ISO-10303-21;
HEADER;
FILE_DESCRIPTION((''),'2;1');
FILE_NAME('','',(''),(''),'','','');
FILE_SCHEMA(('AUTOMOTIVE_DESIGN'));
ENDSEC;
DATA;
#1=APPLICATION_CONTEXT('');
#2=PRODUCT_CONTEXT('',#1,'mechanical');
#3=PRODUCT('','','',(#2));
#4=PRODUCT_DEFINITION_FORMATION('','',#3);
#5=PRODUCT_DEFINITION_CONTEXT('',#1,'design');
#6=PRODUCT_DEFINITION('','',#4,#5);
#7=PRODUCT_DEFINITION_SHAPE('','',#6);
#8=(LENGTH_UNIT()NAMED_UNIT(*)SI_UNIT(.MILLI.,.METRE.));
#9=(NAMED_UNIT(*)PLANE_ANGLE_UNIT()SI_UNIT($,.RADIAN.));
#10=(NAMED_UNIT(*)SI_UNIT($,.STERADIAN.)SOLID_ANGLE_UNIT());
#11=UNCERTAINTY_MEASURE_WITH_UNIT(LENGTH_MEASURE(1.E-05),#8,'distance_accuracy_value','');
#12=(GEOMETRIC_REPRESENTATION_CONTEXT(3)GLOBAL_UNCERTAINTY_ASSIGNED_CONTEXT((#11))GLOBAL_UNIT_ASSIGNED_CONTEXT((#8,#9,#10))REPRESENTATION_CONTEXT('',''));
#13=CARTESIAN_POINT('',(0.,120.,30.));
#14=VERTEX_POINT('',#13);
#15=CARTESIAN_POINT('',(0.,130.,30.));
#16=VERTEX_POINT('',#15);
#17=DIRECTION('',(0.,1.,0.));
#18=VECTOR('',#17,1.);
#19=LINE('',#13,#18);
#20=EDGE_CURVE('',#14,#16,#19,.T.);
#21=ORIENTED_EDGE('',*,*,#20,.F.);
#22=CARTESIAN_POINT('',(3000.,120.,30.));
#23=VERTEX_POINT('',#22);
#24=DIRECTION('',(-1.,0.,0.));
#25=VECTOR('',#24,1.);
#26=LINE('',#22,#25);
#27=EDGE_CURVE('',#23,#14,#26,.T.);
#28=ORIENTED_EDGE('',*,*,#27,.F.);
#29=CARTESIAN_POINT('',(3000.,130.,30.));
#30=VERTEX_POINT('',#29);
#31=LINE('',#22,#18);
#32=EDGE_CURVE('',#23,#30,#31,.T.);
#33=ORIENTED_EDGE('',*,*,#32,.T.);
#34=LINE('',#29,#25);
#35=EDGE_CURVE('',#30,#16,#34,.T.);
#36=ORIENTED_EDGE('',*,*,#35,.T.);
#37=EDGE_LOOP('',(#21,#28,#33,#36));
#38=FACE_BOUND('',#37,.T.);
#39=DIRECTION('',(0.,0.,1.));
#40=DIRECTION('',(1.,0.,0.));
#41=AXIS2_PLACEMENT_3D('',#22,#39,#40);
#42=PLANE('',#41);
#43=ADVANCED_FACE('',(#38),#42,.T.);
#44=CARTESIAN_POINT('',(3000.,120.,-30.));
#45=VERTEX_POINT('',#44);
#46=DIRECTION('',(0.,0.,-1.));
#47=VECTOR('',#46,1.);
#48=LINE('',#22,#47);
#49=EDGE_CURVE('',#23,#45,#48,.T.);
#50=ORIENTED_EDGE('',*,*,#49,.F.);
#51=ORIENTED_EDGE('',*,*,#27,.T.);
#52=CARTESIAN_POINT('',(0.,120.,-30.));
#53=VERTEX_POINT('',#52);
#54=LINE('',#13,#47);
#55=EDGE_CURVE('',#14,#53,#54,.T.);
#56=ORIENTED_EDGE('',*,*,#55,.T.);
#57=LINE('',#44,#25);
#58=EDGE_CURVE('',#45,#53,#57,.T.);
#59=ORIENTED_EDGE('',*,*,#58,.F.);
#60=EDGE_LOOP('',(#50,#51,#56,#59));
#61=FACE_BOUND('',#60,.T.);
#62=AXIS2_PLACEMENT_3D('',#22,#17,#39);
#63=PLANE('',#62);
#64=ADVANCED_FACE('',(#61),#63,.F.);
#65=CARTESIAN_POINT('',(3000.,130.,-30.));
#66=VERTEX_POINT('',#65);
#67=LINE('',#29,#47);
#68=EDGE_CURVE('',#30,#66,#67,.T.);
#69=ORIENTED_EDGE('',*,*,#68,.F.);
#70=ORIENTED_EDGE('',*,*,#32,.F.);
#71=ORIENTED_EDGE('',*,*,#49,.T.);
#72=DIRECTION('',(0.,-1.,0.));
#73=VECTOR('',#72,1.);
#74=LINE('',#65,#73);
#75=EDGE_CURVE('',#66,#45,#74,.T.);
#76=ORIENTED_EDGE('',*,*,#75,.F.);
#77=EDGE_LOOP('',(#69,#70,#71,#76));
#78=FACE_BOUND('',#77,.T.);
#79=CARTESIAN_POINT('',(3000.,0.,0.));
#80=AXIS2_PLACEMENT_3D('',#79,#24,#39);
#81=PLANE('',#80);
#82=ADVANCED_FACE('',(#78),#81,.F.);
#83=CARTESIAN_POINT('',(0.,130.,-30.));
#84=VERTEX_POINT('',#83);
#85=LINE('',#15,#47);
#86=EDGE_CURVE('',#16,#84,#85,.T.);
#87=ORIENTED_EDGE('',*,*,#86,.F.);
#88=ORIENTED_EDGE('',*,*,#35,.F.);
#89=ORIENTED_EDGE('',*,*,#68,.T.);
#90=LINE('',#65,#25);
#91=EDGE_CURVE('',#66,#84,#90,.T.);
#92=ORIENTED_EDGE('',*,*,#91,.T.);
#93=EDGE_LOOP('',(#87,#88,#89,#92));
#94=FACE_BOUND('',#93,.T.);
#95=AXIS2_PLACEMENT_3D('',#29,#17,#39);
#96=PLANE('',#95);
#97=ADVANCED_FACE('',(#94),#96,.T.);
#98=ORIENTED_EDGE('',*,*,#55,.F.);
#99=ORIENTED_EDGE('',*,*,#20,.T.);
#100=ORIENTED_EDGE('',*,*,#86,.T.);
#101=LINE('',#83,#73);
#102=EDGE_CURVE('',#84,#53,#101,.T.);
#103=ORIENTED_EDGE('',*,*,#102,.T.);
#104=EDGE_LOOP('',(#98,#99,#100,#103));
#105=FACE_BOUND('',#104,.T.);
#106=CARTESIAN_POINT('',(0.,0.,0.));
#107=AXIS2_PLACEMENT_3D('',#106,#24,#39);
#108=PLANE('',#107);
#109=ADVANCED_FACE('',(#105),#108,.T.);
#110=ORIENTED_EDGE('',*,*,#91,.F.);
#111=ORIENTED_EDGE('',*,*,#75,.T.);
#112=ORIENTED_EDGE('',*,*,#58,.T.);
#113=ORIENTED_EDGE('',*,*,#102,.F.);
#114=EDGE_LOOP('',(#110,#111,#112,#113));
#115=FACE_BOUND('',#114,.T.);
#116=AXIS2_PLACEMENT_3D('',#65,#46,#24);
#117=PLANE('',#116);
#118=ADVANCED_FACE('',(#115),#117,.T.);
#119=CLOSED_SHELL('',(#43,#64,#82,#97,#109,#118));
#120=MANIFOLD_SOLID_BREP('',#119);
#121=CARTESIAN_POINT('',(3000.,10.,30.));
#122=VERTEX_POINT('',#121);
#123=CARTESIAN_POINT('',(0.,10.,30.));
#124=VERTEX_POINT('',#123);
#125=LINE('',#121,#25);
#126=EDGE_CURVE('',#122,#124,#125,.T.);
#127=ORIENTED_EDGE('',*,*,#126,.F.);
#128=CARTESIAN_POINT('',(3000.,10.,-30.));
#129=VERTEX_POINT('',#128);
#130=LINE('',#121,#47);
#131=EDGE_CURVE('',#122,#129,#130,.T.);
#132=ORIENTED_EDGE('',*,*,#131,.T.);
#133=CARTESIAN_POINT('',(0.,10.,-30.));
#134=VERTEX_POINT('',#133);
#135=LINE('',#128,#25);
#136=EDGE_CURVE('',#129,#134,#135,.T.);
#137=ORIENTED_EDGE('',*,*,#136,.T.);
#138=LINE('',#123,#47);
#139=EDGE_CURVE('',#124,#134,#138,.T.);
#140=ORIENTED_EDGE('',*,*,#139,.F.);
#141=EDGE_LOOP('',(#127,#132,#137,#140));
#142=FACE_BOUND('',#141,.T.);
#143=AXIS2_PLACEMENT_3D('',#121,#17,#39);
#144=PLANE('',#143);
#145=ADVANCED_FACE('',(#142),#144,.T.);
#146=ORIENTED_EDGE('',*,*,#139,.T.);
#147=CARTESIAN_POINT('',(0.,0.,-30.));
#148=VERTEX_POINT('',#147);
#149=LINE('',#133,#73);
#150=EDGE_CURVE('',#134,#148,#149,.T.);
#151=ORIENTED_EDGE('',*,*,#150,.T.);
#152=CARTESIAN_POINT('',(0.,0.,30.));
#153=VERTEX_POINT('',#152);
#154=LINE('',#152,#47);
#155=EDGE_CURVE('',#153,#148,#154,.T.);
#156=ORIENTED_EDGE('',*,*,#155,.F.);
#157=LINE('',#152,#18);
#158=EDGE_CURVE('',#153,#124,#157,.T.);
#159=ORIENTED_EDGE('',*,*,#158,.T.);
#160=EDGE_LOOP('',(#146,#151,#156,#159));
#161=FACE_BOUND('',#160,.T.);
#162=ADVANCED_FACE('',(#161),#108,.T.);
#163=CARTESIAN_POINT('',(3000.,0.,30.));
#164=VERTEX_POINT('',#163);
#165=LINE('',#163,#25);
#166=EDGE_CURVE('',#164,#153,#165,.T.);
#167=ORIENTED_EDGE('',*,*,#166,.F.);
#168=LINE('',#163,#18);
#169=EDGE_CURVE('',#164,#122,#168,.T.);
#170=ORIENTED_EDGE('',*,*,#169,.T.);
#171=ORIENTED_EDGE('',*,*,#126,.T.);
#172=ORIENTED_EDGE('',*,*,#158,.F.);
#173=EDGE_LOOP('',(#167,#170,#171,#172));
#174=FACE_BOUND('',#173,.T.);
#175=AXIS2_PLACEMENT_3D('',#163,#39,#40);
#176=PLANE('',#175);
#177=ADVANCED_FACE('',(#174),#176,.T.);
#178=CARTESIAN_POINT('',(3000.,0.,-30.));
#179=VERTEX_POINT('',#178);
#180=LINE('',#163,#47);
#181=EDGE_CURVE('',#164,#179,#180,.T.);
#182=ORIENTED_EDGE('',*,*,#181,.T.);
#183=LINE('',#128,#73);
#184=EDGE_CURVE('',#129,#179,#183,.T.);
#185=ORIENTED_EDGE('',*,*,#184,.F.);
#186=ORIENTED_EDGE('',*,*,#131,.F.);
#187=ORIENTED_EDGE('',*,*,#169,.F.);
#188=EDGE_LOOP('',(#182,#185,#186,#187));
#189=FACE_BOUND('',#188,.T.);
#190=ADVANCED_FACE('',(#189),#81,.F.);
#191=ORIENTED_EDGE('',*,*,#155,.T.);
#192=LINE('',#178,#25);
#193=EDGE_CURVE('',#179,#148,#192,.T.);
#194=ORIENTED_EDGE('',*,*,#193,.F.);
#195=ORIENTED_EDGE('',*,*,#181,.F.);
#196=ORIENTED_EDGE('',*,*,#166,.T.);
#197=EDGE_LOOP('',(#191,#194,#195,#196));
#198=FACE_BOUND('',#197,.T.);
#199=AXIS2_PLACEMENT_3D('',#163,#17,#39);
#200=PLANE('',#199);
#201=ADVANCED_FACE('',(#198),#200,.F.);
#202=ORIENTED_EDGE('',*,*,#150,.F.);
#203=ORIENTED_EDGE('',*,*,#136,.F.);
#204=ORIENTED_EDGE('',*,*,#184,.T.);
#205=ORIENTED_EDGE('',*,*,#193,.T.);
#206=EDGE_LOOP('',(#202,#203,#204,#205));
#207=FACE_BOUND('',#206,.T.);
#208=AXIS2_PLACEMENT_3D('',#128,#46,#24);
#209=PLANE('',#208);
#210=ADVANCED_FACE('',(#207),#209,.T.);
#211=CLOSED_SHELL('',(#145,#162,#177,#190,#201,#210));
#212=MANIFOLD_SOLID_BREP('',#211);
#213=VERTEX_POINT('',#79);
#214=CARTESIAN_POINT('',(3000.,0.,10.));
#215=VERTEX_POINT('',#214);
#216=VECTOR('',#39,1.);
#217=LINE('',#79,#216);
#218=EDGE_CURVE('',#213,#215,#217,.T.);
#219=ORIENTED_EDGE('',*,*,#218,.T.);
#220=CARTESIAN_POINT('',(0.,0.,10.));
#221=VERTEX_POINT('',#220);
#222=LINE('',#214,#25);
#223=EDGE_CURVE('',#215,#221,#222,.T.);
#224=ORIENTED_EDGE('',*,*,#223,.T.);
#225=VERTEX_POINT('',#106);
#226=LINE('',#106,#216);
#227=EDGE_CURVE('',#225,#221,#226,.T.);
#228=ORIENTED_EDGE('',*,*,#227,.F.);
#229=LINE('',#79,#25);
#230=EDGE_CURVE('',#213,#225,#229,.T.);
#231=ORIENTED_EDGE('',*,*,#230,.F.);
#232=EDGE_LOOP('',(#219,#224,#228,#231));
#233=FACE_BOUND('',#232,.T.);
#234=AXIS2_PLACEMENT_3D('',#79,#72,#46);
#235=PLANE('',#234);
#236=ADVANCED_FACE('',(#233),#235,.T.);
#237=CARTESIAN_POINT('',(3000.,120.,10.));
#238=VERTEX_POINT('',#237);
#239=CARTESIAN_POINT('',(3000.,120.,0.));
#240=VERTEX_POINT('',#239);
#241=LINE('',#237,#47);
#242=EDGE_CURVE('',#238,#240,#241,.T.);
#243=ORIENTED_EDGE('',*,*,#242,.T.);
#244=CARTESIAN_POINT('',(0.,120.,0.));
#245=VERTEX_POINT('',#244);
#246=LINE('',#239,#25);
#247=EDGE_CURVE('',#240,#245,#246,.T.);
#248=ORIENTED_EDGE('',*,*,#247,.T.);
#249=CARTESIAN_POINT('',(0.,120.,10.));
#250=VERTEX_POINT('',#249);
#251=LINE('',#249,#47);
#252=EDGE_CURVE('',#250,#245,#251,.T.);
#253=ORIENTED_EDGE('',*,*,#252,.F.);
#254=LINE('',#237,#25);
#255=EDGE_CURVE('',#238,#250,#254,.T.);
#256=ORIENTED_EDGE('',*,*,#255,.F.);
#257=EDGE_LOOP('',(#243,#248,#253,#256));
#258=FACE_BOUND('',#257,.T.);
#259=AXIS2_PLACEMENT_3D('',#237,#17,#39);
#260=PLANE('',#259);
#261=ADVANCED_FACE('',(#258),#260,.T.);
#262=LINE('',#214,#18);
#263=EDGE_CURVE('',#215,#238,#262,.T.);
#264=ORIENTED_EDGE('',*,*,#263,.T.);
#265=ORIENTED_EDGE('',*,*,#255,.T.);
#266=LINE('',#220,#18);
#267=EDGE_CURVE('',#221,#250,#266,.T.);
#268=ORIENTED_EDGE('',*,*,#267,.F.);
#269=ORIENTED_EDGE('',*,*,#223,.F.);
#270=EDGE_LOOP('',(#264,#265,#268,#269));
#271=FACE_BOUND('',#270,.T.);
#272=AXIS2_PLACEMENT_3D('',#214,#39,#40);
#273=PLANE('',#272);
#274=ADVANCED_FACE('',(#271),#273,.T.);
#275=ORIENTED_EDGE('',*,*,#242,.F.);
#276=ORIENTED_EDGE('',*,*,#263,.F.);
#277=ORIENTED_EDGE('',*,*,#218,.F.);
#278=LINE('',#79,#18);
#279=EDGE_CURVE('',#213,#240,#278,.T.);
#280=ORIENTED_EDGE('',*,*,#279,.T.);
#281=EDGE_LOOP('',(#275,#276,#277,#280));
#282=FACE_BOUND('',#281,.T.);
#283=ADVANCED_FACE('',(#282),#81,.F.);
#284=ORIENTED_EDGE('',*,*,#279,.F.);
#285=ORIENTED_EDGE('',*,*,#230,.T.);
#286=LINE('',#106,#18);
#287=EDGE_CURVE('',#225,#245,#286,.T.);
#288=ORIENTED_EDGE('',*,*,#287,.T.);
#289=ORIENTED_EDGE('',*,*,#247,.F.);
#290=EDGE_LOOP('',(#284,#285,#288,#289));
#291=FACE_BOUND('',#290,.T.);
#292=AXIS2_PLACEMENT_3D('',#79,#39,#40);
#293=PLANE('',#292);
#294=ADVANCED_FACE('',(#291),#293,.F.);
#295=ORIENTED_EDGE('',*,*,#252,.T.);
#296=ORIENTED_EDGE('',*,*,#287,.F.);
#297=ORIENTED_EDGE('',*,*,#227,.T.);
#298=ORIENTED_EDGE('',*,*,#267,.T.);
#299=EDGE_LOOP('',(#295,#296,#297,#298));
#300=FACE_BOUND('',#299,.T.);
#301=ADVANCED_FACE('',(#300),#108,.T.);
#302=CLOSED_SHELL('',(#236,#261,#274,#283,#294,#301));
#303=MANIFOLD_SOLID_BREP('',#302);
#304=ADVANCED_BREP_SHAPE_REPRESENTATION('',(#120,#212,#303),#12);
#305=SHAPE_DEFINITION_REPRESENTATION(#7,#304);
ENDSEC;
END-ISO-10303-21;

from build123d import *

# Parameters (mm, degrees)
SKETCH_1_W        = 60
SKETCH_1_H        = 10
EXTRUDE_1_DEPTH   = 3000
SKETCH_1_W_2      = 10
SKETCH_1_H_2      = 120
EXTRUDE_1_2_DEPTH = 3000
EXTRUDE_1_3_DEPTH = 3000


with BuildPart() as part:
    # Эскиз1 → Вытянуть-Тонкостенный1 (new body)
    with BuildSketch(Plane(origin=(0, 0, 0), x_dir=(0, 0, -1), z_dir=(1, 0, 0))):
        with Locations((0, 5)):
            Rectangle(SKETCH_1_W, SKETCH_1_H)
    extrude(amount=EXTRUDE_1_DEPTH)


with BuildPart() as body_2:
    # Эскиз1 → Extrude 1 2 (new body)
    with BuildSketch(Plane(origin=(0, 0, 0), x_dir=(0, 0, -1), z_dir=(1, 0, 0))):
        with Locations((-5, 60)):
            Rectangle(SKETCH_1_W_2, SKETCH_1_H_2)
    extrude(amount=EXTRUDE_1_2_DEPTH)


with BuildPart() as body_3:
    # Эскиз1 → Extrude 1 3 (new body)
    with BuildSketch(Plane(origin=(0, 0, 0), x_dir=(0, 0, -1), z_dir=(1, 0, 0))):
        with Locations((0, 125)):
            Rectangle(SKETCH_1_W, SKETCH_1_H)
    extrude(amount=EXTRUDE_1_3_DEPTH)


solid = Compound([part.part, body_2.part, body_3.part])
